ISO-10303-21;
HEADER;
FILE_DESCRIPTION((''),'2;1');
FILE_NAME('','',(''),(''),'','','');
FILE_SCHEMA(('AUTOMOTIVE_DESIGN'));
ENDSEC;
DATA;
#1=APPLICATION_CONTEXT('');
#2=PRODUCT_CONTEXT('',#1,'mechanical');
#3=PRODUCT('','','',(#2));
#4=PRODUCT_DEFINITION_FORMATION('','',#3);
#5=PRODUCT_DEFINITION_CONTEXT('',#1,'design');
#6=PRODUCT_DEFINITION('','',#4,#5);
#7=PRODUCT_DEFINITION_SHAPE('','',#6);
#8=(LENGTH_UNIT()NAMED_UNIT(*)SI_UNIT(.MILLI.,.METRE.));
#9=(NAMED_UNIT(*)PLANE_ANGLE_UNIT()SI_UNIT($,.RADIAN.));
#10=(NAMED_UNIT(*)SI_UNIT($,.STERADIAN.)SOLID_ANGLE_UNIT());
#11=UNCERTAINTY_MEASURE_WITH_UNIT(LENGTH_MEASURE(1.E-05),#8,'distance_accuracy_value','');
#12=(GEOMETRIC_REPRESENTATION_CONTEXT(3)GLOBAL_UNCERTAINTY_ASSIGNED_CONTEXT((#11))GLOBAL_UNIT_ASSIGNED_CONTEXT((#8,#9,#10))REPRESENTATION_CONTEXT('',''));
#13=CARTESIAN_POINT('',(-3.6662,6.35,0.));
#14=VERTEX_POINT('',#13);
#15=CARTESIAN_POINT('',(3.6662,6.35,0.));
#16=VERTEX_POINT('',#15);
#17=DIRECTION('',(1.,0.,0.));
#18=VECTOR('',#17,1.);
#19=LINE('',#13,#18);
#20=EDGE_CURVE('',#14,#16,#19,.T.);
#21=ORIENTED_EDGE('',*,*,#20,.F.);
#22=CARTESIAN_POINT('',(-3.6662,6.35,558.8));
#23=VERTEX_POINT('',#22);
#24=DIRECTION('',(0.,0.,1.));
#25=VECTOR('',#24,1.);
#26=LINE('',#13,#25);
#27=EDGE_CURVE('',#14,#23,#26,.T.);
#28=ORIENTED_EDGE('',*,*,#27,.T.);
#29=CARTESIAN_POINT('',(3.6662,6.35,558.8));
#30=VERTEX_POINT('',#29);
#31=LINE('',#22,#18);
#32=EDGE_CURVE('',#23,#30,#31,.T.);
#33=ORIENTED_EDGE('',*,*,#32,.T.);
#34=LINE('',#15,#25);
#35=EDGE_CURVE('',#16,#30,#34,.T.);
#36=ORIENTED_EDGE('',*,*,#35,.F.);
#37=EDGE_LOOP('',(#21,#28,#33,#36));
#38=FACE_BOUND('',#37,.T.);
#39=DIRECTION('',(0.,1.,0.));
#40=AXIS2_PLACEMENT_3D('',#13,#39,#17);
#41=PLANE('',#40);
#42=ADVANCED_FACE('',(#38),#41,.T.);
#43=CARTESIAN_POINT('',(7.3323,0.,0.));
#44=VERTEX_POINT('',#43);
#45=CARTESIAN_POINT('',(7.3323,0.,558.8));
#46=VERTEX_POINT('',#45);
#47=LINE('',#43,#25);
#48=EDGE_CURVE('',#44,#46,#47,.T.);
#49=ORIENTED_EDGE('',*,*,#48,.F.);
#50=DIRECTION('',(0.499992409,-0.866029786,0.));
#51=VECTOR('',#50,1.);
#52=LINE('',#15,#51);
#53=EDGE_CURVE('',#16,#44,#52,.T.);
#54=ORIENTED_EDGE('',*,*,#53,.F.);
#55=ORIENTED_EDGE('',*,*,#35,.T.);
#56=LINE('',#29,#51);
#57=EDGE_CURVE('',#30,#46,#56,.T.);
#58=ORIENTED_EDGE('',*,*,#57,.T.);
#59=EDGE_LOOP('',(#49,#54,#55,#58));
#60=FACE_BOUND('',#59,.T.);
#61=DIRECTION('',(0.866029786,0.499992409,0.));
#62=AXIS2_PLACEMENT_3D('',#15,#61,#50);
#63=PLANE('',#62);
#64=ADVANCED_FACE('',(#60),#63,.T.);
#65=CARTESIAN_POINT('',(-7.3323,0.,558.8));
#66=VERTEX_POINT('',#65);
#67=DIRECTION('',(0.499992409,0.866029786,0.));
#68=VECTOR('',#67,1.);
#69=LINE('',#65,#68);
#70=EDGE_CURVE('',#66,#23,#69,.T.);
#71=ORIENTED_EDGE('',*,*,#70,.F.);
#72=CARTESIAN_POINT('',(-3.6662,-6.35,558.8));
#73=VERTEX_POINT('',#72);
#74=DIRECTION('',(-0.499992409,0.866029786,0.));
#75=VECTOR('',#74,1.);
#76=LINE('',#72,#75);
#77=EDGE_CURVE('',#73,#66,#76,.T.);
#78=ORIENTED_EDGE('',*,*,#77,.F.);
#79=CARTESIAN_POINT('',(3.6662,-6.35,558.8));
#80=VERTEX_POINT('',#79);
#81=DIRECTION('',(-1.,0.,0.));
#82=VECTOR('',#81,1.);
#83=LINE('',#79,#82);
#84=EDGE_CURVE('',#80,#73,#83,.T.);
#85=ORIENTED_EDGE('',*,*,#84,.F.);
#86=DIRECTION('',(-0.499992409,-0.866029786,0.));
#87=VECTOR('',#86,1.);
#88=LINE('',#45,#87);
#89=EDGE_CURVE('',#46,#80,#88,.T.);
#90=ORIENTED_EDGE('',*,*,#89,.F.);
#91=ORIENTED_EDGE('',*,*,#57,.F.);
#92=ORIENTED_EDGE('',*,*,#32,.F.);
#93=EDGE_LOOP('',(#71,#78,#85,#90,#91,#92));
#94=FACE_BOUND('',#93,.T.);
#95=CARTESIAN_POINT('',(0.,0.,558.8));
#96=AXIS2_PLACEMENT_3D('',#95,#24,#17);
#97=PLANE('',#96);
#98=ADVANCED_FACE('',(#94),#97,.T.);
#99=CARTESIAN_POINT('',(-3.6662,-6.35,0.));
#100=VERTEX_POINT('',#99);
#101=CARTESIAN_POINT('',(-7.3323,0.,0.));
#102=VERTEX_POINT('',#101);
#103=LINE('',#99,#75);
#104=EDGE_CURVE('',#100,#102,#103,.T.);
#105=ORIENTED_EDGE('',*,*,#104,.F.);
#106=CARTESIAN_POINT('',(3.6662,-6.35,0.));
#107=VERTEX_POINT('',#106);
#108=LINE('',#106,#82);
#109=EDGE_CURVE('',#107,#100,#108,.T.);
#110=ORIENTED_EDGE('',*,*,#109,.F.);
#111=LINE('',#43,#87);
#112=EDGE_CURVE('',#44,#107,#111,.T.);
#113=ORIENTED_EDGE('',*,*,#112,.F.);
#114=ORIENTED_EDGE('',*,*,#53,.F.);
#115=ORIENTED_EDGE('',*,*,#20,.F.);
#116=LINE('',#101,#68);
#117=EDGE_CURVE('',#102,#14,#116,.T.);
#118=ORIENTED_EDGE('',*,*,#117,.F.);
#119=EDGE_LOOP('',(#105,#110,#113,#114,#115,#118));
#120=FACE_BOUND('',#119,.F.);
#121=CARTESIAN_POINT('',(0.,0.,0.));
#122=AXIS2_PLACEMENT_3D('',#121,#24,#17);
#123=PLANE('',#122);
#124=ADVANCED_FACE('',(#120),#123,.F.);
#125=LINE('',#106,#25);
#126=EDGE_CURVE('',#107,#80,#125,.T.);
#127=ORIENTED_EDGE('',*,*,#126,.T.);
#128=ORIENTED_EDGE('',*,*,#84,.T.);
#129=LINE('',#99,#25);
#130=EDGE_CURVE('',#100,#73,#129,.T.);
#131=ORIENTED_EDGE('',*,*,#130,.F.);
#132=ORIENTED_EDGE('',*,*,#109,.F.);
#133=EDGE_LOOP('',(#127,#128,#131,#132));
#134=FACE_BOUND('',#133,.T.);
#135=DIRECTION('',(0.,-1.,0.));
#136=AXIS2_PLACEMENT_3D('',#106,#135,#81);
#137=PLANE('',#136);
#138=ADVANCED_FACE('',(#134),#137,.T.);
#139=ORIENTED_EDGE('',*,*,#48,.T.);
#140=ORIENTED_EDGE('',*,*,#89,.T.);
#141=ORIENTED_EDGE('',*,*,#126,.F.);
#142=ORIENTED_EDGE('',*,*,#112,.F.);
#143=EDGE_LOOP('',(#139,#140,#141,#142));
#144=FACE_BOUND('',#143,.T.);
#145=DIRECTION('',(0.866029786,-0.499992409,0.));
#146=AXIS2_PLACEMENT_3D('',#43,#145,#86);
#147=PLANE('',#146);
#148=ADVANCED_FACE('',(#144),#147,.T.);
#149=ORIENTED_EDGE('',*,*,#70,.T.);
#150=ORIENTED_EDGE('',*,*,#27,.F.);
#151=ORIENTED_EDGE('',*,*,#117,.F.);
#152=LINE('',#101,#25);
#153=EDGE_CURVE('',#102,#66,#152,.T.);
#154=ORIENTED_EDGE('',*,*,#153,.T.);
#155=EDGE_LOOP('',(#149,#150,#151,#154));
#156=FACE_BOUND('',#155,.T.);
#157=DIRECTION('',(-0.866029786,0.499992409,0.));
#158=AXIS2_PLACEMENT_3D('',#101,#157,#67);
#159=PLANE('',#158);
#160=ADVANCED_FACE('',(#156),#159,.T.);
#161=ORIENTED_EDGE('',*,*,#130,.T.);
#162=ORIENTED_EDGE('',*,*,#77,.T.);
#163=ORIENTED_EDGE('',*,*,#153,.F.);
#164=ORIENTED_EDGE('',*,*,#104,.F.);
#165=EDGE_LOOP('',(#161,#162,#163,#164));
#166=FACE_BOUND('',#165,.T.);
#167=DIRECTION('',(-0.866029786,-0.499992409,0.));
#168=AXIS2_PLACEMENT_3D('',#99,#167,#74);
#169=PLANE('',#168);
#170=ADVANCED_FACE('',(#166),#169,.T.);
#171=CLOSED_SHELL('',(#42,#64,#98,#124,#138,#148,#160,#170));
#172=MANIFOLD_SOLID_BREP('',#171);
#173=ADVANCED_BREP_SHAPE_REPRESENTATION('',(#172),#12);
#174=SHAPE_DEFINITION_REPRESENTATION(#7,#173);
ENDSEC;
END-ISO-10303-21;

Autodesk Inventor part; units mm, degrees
ref_plane "YZ Plane" through (0, 0, 0) normal (1, 0, 0) x (0, 1, 0)
ref_plane "XZ Plane" through (0, 0, 0) normal (0, 1, 0) x (-1, 0, 0)
ref_plane "XY Plane" through (0, 0, 0) normal (0, 0, 1) x (1, 0, 0)
sketch "Sketch1" plane through (0, 0, 0) normal (0, 0, 1) x (1, 0, 0)
  line L0 (3.6662, 6.35) -> (7.3323, 0)
  line L1 (7.3323, 0) -> (3.6662, -6.35)
  line L2 (3.6662, -6.35) -> (-3.6662, -6.35)
  line L3 (-3.6662, -6.35) -> (-7.3323, 0)
  line L4 (-7.3323, 0) -> (-3.6662, 6.35)
  line L5 (-3.6662, 6.35) -> (3.6662, 6.35)
  point P0 (0, 0)
  point P1 (0, 0)
  dimension "d0" = 12.7
extrude "Extrusion1" add sketch "Sketch1" along normal blind 558.8
properties part number "15102898-16-P-0305" material "Steel, Galvanized"
